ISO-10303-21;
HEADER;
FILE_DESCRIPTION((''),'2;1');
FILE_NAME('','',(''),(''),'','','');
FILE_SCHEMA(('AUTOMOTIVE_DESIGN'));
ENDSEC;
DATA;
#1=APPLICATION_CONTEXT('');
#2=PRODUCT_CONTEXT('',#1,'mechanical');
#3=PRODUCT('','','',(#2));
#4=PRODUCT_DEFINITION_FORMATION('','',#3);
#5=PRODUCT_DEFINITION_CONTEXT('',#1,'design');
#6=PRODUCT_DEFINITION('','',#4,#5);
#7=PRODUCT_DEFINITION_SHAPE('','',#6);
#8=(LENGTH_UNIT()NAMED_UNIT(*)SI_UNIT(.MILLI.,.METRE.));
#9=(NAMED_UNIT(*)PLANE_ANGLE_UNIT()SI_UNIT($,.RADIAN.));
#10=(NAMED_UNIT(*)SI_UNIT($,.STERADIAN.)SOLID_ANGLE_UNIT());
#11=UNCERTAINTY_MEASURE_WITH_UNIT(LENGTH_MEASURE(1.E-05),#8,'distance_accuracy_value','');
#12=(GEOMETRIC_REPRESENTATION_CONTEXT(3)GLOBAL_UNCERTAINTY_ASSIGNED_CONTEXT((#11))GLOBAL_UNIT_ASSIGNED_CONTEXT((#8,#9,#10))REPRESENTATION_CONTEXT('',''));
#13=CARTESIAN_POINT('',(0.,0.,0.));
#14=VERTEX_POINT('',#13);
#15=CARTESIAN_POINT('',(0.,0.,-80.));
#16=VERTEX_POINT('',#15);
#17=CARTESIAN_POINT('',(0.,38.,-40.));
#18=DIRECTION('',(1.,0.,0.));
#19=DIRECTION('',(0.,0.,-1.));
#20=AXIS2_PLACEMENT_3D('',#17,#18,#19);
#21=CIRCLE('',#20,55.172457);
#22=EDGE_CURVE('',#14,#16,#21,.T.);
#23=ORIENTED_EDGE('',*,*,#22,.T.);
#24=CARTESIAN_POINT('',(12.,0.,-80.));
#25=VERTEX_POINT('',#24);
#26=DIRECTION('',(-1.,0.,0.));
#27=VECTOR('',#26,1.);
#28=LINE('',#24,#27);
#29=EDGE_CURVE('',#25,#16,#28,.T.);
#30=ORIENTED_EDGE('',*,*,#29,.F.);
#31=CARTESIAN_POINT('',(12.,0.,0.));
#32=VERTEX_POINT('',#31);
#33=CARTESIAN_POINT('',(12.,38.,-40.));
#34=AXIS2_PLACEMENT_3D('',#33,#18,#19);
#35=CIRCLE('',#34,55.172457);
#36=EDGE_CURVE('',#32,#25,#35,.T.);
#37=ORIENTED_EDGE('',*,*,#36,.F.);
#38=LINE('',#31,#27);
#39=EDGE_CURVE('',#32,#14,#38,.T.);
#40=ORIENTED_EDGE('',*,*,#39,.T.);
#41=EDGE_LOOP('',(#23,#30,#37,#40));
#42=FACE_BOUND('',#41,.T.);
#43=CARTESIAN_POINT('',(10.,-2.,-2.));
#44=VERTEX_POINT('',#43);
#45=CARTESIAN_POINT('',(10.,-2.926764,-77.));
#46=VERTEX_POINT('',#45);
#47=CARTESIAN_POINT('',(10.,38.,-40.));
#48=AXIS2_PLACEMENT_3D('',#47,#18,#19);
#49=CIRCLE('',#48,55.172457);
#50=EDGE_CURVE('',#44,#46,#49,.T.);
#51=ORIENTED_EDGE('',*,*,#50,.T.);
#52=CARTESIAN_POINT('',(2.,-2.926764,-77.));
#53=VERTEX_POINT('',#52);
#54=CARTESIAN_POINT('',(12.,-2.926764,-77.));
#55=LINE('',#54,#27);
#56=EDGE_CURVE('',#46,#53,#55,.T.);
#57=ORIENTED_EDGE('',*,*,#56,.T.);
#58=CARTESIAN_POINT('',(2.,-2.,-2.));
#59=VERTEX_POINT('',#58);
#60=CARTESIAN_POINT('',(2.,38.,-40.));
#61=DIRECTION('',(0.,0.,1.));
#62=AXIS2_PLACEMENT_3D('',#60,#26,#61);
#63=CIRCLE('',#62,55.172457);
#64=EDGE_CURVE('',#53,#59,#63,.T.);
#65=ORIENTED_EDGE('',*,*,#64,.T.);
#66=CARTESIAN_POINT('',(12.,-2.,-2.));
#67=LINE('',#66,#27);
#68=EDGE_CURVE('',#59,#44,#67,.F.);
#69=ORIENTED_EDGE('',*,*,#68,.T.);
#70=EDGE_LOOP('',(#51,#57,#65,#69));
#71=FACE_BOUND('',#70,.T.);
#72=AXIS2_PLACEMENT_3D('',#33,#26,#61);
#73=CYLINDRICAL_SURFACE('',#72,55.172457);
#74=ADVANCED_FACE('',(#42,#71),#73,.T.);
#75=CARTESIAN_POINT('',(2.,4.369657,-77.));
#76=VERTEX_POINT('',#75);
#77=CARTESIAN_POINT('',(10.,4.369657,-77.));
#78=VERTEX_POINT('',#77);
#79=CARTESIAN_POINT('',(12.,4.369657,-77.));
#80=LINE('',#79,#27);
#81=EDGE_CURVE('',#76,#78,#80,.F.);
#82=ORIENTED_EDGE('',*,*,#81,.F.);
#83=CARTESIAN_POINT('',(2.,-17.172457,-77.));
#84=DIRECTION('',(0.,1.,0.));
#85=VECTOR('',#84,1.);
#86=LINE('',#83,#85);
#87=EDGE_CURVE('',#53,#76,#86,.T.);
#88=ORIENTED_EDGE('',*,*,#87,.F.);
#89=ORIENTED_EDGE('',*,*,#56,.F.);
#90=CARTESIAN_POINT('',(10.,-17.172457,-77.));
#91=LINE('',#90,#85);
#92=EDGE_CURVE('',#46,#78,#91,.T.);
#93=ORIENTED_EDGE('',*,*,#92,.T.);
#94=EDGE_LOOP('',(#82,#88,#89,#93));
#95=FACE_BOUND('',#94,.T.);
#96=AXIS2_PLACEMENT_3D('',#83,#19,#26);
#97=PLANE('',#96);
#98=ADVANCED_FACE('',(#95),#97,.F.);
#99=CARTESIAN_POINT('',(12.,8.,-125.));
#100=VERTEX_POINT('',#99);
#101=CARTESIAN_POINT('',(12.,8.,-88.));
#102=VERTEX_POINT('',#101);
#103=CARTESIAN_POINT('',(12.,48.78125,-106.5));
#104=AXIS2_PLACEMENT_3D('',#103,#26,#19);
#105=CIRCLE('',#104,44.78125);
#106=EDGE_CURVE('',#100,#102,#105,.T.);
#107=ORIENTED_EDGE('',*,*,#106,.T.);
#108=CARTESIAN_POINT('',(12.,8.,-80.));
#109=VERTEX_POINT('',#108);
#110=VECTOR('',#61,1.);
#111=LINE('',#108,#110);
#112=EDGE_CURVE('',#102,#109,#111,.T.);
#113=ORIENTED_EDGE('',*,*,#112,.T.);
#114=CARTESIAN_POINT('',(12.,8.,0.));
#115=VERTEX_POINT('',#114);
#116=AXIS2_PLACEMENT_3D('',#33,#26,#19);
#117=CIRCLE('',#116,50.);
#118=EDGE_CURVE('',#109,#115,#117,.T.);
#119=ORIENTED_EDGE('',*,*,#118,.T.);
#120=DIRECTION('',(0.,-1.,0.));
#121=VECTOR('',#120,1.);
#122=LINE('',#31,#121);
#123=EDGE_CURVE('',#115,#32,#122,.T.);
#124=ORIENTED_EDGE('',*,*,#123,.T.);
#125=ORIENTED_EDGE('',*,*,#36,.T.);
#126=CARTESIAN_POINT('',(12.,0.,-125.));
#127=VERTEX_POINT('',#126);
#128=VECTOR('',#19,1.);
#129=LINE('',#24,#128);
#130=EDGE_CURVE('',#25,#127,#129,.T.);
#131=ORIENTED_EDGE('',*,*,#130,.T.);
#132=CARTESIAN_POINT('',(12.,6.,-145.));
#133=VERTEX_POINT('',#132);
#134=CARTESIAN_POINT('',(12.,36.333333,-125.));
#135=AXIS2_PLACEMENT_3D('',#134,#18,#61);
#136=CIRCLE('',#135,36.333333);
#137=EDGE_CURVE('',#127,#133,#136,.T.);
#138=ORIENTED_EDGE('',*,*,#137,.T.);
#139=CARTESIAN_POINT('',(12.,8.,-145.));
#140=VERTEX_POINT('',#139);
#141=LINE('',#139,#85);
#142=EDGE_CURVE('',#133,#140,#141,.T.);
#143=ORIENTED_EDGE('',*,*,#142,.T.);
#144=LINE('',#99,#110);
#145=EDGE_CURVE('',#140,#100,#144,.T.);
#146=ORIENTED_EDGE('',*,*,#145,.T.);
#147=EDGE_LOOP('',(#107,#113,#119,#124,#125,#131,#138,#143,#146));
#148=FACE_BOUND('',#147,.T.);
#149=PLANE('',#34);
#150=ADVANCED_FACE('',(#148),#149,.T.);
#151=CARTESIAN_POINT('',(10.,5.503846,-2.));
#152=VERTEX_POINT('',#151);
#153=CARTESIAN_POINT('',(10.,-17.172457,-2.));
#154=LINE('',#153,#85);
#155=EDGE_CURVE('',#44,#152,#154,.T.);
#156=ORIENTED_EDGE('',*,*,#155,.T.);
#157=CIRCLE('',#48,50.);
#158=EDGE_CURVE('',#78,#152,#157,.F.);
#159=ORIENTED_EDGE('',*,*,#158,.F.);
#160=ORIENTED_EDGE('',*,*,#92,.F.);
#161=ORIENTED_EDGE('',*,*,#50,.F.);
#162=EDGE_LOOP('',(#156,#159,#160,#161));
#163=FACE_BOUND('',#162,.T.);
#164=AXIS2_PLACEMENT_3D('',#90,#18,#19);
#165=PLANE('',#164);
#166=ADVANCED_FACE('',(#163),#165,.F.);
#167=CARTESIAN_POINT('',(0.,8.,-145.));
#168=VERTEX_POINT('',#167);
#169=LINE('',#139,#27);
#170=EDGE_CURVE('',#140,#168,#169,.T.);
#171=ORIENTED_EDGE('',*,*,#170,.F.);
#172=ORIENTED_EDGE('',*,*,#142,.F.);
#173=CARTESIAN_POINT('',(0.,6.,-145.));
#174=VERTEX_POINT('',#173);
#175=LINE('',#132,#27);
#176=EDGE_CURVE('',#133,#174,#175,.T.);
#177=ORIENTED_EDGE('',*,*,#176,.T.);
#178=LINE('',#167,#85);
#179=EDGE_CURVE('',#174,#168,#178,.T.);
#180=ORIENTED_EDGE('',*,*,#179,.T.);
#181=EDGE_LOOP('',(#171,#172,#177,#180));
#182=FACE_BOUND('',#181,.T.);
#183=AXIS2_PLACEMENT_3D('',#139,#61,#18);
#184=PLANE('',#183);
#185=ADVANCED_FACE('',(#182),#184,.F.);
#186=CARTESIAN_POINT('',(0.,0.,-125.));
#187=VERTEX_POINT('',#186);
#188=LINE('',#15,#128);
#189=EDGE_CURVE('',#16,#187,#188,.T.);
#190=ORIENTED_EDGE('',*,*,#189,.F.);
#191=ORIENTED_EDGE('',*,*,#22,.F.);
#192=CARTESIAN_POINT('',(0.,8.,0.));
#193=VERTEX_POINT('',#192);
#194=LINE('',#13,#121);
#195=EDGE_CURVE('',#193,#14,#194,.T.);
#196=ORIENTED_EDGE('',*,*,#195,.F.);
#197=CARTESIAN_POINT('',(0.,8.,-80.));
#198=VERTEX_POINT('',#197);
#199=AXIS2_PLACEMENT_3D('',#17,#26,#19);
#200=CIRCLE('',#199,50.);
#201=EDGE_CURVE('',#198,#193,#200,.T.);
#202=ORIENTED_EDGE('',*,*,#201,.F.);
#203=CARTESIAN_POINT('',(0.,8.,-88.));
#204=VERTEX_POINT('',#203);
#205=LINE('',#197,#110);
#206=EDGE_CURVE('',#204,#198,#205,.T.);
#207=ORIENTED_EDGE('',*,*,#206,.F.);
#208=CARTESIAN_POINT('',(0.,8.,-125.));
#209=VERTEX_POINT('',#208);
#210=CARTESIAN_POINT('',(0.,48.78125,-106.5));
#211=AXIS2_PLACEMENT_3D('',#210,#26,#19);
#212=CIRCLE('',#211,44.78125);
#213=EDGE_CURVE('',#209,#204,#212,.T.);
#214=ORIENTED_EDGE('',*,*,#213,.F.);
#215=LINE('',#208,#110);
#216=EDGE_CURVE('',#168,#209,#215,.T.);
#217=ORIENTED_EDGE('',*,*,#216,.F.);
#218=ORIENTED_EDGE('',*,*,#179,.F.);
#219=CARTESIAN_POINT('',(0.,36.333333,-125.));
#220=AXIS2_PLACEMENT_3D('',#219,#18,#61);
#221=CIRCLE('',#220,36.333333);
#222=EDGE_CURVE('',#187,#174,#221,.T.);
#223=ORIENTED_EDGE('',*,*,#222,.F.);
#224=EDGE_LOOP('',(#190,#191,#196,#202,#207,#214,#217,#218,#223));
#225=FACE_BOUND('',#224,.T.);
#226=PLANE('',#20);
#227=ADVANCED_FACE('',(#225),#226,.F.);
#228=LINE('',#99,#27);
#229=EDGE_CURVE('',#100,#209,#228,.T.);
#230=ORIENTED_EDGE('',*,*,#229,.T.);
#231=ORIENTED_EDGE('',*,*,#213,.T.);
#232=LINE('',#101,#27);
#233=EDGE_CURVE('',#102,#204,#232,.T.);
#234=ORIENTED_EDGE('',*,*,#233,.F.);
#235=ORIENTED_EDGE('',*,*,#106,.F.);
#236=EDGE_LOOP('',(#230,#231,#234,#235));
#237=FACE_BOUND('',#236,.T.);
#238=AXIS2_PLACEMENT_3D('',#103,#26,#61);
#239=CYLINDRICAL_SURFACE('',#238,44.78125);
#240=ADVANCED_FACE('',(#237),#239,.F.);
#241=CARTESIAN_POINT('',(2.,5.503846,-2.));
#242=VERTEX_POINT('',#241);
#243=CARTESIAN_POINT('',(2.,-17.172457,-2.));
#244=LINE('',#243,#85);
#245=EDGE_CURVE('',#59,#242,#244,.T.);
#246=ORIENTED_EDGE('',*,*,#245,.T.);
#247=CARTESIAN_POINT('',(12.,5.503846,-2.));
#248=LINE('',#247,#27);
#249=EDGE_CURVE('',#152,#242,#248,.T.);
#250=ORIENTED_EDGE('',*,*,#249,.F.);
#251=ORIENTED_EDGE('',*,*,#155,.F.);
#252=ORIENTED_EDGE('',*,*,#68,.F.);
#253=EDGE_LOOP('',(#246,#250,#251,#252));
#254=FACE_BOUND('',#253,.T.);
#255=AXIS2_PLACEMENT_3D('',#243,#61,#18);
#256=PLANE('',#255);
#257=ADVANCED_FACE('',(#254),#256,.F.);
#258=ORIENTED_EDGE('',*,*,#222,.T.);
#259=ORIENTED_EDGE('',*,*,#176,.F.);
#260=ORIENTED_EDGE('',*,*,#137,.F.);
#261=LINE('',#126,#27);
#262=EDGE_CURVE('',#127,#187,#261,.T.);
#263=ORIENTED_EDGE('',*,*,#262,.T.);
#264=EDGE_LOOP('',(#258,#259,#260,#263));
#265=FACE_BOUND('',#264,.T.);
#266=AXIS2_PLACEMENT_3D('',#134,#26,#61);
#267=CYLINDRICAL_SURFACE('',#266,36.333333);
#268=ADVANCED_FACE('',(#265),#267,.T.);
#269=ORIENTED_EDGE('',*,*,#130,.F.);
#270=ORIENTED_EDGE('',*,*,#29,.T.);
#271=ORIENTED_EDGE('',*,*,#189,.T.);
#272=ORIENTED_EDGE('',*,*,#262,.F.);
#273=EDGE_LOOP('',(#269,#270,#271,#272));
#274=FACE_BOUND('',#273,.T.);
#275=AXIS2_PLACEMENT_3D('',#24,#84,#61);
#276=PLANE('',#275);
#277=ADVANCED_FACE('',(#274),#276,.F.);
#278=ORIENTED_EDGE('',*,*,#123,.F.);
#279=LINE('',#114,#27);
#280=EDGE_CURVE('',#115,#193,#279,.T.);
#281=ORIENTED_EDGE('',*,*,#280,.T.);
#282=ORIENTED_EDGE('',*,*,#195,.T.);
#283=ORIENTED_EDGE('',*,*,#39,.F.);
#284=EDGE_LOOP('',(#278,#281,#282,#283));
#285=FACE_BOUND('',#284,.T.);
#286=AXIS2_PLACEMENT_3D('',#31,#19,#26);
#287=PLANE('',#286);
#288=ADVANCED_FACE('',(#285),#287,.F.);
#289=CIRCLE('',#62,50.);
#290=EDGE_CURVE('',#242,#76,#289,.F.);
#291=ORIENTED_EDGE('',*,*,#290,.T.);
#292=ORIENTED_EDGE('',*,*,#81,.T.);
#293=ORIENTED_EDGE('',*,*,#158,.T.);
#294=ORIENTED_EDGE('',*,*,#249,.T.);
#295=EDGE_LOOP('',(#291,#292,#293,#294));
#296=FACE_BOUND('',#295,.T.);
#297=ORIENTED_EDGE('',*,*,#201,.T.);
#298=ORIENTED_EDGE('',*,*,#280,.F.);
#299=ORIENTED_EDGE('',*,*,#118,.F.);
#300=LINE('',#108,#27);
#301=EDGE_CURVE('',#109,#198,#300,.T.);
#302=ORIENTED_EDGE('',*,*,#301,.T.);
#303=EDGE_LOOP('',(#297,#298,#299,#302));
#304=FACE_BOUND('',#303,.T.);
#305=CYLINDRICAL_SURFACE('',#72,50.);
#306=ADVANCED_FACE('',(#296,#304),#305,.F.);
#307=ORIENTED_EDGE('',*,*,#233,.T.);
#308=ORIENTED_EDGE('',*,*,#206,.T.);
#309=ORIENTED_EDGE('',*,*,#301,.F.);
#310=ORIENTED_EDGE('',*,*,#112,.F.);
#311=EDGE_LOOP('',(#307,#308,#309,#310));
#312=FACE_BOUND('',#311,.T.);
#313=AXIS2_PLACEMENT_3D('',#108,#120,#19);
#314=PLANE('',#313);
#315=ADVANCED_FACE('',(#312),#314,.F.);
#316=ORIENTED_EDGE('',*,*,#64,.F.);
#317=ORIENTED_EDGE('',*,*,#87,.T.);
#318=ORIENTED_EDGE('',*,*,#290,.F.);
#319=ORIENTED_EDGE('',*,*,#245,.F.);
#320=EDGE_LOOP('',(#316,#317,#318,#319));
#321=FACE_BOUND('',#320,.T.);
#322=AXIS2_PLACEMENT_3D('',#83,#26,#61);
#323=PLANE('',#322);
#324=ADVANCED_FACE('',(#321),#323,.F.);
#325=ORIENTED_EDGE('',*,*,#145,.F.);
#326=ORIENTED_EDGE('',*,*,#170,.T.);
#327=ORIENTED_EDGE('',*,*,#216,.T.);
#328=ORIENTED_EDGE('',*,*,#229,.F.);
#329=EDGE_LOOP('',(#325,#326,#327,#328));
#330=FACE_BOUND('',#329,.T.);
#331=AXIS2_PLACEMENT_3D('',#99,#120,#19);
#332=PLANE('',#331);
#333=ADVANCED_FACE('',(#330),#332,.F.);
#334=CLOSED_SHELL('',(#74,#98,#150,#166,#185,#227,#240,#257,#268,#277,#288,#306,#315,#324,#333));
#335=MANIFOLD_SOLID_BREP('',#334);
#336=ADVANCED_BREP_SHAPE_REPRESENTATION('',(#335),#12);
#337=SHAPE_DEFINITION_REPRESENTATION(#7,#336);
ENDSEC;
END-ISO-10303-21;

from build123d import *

# Parameters (mm, degrees)
BOSS_EXTRUDE1_DEPTH     = 12
SKETCH2_W               = 8
SKETCH2_H               = 75
CUT_EXTRUDE1_DEPTH      = 9
CUT_EXTRUDE1_DEPTH_BACK = 18.172456897


with BuildPart() as part:
    # Sketch1 → Boss-Extrude1 (new body)
    with BuildSketch(Plane(origin=(0, 0, 0), x_dir=(0, 0, -1), z_dir=(1, 0, 0))):
        with BuildLine():
            Line((0, 0), (0, 8))
            ThreePointArc((0, 8), (40, -12), (80, 8))
            Line((80, 8), (88, 8))
            ThreePointArc((88, 8), (106.5, 4), (125, 8))
            Line((125, 8), (145, 8))
            Line((145, 8), (145, 6))
            ThreePointArc((145, 6), (135.440306509, 1.532311637), (125, 0))
            Line((125, 0), (80, 0))
            ThreePointArc((80, 0), (40, -17.172456897), (0, 0))
        make_face()
    extrude(amount=BOSS_EXTRUDE1_DEPTH)

    # Sketch2 → Cut-Extrude1 (cut, two sides)
    with BuildSketch(Plane(origin=(0, 0, 0), x_dir=(1, 0, 0), z_dir=(0, 1, 0))) as cut_extrude1_sk:
        with Locations((6, 39.5)):
            Rectangle(SKETCH2_W, SKETCH2_H)
    extrude(amount=CUT_EXTRUDE1_DEPTH, mode=Mode.SUBTRACT)
    extrude(cut_extrude1_sk.sketch, amount=-CUT_EXTRUDE1_DEPTH_BACK, mode=Mode.SUBTRACT)


solid = part.part
